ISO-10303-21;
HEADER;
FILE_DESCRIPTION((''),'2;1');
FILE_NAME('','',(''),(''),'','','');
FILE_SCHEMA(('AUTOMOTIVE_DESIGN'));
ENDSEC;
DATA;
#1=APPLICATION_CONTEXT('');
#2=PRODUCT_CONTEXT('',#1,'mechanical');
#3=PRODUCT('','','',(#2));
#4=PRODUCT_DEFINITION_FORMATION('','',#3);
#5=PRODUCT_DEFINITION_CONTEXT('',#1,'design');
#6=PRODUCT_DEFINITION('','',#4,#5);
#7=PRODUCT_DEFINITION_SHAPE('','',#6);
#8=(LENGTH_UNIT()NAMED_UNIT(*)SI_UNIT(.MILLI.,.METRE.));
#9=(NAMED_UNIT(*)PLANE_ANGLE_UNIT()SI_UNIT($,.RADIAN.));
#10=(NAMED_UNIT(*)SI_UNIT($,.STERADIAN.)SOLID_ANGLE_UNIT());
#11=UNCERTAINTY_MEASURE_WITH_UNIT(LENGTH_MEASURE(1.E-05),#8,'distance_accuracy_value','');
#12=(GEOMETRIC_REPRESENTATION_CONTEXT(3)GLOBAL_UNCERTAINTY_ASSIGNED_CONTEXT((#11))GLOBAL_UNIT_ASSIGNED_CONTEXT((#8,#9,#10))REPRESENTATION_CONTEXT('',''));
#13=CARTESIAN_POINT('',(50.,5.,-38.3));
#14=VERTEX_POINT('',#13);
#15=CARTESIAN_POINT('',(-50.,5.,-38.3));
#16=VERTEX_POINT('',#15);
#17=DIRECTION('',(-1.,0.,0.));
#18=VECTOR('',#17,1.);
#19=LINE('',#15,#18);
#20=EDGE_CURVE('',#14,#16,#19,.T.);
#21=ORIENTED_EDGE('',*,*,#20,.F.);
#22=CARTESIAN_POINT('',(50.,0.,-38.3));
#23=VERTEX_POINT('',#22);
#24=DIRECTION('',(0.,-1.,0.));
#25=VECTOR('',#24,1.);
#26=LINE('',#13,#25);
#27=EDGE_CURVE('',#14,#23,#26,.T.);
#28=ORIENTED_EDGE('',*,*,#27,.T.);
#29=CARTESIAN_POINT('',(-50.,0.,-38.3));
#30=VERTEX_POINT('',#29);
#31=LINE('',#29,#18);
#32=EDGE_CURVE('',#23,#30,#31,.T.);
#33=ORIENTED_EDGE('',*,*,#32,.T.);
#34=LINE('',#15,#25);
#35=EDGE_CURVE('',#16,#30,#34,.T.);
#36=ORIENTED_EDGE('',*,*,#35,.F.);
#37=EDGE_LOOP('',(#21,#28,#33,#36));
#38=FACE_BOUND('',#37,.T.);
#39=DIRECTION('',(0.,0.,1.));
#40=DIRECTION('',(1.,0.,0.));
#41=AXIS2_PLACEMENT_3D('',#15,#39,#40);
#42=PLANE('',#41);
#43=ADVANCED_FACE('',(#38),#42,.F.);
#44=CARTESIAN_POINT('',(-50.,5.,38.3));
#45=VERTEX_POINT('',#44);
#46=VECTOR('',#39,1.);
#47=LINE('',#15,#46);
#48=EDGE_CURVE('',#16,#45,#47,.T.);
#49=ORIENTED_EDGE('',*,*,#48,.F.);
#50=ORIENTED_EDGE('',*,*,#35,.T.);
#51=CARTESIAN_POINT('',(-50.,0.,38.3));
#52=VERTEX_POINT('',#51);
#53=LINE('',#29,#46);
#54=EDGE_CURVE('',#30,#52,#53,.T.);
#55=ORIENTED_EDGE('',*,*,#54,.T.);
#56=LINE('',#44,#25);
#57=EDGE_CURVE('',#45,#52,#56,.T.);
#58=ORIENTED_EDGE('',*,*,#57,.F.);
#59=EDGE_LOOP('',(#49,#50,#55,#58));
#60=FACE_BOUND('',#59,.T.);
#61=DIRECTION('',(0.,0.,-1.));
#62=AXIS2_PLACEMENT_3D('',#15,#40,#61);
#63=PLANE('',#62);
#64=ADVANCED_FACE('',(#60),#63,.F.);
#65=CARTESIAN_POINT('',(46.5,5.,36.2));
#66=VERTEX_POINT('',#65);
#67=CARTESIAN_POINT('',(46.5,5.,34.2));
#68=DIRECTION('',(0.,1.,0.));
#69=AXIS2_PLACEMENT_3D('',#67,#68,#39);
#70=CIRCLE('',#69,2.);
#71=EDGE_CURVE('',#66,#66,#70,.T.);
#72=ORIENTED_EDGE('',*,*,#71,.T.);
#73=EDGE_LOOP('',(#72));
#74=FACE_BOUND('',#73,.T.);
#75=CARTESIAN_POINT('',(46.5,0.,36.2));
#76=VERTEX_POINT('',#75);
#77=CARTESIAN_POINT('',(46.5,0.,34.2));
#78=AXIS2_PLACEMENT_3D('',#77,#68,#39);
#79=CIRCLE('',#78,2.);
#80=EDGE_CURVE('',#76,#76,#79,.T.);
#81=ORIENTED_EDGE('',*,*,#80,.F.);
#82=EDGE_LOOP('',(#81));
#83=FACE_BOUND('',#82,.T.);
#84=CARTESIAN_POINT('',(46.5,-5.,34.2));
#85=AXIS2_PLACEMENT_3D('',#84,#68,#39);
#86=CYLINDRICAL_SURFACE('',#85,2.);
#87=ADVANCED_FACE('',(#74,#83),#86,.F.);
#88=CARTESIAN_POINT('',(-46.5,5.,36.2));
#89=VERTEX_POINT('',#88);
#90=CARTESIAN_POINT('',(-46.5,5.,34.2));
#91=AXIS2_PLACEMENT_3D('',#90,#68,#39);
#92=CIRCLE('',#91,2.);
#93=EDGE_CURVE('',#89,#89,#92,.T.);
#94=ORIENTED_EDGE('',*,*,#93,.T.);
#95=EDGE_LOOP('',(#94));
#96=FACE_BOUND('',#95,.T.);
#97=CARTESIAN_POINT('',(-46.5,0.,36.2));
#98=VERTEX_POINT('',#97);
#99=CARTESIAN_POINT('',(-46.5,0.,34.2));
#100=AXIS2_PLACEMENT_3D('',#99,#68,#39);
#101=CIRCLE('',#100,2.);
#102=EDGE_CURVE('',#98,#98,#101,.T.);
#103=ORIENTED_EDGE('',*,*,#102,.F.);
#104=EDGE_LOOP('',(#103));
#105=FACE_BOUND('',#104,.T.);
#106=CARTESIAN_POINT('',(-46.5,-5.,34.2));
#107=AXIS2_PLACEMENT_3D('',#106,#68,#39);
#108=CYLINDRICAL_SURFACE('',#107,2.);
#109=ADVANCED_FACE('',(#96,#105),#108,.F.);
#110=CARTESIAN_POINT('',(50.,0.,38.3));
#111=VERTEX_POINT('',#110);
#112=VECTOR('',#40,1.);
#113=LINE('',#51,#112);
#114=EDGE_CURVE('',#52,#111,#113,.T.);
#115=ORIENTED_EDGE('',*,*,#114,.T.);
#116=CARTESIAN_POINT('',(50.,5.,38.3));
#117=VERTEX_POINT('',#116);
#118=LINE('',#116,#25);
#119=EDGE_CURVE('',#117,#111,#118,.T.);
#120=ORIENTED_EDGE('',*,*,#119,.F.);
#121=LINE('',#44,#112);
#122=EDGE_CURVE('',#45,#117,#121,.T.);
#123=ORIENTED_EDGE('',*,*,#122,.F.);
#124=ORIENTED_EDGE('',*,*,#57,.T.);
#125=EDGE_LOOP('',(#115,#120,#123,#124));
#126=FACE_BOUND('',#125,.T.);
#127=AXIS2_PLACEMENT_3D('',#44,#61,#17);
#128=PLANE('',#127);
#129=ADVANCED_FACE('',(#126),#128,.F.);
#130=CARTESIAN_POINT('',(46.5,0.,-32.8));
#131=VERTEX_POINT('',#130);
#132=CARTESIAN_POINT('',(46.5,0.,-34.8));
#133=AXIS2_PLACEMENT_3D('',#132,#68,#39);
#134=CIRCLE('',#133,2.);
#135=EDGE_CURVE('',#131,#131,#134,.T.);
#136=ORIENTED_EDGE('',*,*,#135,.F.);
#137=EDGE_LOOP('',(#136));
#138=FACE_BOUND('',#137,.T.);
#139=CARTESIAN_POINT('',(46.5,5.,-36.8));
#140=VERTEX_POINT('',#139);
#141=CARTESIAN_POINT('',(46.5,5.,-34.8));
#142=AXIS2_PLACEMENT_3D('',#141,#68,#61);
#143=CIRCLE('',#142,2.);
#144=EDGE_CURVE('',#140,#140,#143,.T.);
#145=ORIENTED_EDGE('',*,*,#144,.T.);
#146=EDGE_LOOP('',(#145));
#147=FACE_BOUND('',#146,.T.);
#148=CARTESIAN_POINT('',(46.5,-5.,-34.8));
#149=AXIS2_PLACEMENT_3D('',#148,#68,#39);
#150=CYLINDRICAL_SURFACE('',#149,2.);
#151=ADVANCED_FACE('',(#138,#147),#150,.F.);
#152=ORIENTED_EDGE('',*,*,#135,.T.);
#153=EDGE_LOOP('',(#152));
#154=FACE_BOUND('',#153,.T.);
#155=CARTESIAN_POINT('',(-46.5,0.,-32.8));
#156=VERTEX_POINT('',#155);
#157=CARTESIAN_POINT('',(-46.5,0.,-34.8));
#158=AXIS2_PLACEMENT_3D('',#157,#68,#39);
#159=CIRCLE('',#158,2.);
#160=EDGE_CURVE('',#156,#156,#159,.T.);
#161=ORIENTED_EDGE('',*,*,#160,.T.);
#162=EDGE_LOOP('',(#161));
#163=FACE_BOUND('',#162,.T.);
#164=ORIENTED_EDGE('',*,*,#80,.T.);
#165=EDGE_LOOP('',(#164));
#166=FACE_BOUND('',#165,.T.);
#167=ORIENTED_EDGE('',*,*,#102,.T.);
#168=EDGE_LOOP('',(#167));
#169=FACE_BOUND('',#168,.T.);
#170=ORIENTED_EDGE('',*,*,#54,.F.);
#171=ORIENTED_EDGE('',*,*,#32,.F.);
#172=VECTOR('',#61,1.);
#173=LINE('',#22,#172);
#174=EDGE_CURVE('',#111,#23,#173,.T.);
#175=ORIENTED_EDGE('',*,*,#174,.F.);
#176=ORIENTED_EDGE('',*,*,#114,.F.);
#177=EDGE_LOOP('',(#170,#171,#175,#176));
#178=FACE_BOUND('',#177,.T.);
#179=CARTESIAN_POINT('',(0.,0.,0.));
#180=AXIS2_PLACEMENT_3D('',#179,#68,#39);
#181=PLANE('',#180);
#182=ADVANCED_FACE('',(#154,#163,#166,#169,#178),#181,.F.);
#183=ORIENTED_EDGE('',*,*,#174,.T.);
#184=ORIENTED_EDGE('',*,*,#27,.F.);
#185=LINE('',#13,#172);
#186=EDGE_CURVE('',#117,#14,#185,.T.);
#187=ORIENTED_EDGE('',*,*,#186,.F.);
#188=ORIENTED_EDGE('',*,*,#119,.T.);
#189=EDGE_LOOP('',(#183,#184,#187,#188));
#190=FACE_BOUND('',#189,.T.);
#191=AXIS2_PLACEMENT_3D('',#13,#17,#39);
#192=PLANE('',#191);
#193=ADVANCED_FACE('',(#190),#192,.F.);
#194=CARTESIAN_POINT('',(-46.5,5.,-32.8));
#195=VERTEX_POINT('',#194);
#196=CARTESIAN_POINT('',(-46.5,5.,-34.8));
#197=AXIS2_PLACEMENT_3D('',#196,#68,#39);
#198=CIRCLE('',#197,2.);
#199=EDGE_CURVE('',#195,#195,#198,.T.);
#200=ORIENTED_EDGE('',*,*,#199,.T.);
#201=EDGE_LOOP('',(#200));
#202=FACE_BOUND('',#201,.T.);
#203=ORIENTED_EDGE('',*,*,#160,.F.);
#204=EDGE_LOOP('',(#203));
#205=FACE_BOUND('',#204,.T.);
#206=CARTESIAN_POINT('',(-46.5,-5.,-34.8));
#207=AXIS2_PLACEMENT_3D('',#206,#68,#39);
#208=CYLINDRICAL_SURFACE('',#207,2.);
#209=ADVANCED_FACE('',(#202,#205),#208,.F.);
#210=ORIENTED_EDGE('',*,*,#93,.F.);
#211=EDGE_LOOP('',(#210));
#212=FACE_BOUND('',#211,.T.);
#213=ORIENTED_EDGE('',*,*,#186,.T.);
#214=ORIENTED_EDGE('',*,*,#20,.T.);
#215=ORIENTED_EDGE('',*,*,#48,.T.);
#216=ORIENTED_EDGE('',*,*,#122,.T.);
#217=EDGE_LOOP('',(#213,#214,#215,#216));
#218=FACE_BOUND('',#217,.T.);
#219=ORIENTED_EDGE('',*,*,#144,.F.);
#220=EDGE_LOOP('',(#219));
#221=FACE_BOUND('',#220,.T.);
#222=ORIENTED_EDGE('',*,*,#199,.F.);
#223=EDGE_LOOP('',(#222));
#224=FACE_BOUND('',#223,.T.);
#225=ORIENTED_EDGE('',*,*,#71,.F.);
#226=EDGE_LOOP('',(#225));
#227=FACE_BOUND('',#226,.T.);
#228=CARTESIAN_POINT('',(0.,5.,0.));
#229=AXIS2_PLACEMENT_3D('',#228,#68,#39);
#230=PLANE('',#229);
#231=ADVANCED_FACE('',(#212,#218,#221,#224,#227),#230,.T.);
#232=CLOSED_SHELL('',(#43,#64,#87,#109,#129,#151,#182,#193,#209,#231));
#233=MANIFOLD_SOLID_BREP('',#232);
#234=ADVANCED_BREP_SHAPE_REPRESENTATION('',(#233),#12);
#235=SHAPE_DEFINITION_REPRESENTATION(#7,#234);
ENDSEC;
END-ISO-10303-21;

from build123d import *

# Parameters (mm, degrees)
SKETCH1_W           = 100
SKETCH1_H           = 76.6
BOSS_EXTRUDE1_DEPTH = 5
SKETCH2_R           = 2
CUT_EXTRUDE3_DEPTH  = 10
SKETCH3_R           = 2
CUT_EXTRUDE4_DEPTH  = 10


with BuildPart() as part:
    # Sketch1 → Boss-Extrude1 (new body)
    with BuildSketch(Plane(origin=(0, 0, 0), x_dir=(1, 0, 0), z_dir=(0, 1, 0))):
        Rectangle(SKETCH1_W, SKETCH1_H)
    extrude(amount=BOSS_EXTRUDE1_DEPTH)

    # Sketch2 → Cut-Extrude3 (cut)
    with BuildSketch(Plane(origin=(0, 5, 0), x_dir=(1, 0, 0), z_dir=(0, 1, 0))):
        with Locations(Location((-46.5, 34.8, 0), (0, 0, 270))):
            Circle(SKETCH2_R)
        with Locations(Location((46.5, 34.8, 0), (0, 0, 270))):
            Circle(SKETCH2_R)
    extrude(amount=-CUT_EXTRUDE3_DEPTH, mode=Mode.SUBTRACT)

    # Sketch3 → Cut-Extrude4 (cut)
    with BuildSketch(Plane(origin=(0, 5, 0), x_dir=(1, 0, 0), z_dir=(0, 1, 0))):
        with Locations(Location((-46.5, -34.2, 0), (0, 0, 270))):
            Circle(SKETCH3_R)
        with Locations(Location((46.5, -34.2, 0), (0, 0, 270))):
            Circle(SKETCH3_R)
    extrude(amount=-CUT_EXTRUDE4_DEPTH, mode=Mode.SUBTRACT)


solid = part.part
